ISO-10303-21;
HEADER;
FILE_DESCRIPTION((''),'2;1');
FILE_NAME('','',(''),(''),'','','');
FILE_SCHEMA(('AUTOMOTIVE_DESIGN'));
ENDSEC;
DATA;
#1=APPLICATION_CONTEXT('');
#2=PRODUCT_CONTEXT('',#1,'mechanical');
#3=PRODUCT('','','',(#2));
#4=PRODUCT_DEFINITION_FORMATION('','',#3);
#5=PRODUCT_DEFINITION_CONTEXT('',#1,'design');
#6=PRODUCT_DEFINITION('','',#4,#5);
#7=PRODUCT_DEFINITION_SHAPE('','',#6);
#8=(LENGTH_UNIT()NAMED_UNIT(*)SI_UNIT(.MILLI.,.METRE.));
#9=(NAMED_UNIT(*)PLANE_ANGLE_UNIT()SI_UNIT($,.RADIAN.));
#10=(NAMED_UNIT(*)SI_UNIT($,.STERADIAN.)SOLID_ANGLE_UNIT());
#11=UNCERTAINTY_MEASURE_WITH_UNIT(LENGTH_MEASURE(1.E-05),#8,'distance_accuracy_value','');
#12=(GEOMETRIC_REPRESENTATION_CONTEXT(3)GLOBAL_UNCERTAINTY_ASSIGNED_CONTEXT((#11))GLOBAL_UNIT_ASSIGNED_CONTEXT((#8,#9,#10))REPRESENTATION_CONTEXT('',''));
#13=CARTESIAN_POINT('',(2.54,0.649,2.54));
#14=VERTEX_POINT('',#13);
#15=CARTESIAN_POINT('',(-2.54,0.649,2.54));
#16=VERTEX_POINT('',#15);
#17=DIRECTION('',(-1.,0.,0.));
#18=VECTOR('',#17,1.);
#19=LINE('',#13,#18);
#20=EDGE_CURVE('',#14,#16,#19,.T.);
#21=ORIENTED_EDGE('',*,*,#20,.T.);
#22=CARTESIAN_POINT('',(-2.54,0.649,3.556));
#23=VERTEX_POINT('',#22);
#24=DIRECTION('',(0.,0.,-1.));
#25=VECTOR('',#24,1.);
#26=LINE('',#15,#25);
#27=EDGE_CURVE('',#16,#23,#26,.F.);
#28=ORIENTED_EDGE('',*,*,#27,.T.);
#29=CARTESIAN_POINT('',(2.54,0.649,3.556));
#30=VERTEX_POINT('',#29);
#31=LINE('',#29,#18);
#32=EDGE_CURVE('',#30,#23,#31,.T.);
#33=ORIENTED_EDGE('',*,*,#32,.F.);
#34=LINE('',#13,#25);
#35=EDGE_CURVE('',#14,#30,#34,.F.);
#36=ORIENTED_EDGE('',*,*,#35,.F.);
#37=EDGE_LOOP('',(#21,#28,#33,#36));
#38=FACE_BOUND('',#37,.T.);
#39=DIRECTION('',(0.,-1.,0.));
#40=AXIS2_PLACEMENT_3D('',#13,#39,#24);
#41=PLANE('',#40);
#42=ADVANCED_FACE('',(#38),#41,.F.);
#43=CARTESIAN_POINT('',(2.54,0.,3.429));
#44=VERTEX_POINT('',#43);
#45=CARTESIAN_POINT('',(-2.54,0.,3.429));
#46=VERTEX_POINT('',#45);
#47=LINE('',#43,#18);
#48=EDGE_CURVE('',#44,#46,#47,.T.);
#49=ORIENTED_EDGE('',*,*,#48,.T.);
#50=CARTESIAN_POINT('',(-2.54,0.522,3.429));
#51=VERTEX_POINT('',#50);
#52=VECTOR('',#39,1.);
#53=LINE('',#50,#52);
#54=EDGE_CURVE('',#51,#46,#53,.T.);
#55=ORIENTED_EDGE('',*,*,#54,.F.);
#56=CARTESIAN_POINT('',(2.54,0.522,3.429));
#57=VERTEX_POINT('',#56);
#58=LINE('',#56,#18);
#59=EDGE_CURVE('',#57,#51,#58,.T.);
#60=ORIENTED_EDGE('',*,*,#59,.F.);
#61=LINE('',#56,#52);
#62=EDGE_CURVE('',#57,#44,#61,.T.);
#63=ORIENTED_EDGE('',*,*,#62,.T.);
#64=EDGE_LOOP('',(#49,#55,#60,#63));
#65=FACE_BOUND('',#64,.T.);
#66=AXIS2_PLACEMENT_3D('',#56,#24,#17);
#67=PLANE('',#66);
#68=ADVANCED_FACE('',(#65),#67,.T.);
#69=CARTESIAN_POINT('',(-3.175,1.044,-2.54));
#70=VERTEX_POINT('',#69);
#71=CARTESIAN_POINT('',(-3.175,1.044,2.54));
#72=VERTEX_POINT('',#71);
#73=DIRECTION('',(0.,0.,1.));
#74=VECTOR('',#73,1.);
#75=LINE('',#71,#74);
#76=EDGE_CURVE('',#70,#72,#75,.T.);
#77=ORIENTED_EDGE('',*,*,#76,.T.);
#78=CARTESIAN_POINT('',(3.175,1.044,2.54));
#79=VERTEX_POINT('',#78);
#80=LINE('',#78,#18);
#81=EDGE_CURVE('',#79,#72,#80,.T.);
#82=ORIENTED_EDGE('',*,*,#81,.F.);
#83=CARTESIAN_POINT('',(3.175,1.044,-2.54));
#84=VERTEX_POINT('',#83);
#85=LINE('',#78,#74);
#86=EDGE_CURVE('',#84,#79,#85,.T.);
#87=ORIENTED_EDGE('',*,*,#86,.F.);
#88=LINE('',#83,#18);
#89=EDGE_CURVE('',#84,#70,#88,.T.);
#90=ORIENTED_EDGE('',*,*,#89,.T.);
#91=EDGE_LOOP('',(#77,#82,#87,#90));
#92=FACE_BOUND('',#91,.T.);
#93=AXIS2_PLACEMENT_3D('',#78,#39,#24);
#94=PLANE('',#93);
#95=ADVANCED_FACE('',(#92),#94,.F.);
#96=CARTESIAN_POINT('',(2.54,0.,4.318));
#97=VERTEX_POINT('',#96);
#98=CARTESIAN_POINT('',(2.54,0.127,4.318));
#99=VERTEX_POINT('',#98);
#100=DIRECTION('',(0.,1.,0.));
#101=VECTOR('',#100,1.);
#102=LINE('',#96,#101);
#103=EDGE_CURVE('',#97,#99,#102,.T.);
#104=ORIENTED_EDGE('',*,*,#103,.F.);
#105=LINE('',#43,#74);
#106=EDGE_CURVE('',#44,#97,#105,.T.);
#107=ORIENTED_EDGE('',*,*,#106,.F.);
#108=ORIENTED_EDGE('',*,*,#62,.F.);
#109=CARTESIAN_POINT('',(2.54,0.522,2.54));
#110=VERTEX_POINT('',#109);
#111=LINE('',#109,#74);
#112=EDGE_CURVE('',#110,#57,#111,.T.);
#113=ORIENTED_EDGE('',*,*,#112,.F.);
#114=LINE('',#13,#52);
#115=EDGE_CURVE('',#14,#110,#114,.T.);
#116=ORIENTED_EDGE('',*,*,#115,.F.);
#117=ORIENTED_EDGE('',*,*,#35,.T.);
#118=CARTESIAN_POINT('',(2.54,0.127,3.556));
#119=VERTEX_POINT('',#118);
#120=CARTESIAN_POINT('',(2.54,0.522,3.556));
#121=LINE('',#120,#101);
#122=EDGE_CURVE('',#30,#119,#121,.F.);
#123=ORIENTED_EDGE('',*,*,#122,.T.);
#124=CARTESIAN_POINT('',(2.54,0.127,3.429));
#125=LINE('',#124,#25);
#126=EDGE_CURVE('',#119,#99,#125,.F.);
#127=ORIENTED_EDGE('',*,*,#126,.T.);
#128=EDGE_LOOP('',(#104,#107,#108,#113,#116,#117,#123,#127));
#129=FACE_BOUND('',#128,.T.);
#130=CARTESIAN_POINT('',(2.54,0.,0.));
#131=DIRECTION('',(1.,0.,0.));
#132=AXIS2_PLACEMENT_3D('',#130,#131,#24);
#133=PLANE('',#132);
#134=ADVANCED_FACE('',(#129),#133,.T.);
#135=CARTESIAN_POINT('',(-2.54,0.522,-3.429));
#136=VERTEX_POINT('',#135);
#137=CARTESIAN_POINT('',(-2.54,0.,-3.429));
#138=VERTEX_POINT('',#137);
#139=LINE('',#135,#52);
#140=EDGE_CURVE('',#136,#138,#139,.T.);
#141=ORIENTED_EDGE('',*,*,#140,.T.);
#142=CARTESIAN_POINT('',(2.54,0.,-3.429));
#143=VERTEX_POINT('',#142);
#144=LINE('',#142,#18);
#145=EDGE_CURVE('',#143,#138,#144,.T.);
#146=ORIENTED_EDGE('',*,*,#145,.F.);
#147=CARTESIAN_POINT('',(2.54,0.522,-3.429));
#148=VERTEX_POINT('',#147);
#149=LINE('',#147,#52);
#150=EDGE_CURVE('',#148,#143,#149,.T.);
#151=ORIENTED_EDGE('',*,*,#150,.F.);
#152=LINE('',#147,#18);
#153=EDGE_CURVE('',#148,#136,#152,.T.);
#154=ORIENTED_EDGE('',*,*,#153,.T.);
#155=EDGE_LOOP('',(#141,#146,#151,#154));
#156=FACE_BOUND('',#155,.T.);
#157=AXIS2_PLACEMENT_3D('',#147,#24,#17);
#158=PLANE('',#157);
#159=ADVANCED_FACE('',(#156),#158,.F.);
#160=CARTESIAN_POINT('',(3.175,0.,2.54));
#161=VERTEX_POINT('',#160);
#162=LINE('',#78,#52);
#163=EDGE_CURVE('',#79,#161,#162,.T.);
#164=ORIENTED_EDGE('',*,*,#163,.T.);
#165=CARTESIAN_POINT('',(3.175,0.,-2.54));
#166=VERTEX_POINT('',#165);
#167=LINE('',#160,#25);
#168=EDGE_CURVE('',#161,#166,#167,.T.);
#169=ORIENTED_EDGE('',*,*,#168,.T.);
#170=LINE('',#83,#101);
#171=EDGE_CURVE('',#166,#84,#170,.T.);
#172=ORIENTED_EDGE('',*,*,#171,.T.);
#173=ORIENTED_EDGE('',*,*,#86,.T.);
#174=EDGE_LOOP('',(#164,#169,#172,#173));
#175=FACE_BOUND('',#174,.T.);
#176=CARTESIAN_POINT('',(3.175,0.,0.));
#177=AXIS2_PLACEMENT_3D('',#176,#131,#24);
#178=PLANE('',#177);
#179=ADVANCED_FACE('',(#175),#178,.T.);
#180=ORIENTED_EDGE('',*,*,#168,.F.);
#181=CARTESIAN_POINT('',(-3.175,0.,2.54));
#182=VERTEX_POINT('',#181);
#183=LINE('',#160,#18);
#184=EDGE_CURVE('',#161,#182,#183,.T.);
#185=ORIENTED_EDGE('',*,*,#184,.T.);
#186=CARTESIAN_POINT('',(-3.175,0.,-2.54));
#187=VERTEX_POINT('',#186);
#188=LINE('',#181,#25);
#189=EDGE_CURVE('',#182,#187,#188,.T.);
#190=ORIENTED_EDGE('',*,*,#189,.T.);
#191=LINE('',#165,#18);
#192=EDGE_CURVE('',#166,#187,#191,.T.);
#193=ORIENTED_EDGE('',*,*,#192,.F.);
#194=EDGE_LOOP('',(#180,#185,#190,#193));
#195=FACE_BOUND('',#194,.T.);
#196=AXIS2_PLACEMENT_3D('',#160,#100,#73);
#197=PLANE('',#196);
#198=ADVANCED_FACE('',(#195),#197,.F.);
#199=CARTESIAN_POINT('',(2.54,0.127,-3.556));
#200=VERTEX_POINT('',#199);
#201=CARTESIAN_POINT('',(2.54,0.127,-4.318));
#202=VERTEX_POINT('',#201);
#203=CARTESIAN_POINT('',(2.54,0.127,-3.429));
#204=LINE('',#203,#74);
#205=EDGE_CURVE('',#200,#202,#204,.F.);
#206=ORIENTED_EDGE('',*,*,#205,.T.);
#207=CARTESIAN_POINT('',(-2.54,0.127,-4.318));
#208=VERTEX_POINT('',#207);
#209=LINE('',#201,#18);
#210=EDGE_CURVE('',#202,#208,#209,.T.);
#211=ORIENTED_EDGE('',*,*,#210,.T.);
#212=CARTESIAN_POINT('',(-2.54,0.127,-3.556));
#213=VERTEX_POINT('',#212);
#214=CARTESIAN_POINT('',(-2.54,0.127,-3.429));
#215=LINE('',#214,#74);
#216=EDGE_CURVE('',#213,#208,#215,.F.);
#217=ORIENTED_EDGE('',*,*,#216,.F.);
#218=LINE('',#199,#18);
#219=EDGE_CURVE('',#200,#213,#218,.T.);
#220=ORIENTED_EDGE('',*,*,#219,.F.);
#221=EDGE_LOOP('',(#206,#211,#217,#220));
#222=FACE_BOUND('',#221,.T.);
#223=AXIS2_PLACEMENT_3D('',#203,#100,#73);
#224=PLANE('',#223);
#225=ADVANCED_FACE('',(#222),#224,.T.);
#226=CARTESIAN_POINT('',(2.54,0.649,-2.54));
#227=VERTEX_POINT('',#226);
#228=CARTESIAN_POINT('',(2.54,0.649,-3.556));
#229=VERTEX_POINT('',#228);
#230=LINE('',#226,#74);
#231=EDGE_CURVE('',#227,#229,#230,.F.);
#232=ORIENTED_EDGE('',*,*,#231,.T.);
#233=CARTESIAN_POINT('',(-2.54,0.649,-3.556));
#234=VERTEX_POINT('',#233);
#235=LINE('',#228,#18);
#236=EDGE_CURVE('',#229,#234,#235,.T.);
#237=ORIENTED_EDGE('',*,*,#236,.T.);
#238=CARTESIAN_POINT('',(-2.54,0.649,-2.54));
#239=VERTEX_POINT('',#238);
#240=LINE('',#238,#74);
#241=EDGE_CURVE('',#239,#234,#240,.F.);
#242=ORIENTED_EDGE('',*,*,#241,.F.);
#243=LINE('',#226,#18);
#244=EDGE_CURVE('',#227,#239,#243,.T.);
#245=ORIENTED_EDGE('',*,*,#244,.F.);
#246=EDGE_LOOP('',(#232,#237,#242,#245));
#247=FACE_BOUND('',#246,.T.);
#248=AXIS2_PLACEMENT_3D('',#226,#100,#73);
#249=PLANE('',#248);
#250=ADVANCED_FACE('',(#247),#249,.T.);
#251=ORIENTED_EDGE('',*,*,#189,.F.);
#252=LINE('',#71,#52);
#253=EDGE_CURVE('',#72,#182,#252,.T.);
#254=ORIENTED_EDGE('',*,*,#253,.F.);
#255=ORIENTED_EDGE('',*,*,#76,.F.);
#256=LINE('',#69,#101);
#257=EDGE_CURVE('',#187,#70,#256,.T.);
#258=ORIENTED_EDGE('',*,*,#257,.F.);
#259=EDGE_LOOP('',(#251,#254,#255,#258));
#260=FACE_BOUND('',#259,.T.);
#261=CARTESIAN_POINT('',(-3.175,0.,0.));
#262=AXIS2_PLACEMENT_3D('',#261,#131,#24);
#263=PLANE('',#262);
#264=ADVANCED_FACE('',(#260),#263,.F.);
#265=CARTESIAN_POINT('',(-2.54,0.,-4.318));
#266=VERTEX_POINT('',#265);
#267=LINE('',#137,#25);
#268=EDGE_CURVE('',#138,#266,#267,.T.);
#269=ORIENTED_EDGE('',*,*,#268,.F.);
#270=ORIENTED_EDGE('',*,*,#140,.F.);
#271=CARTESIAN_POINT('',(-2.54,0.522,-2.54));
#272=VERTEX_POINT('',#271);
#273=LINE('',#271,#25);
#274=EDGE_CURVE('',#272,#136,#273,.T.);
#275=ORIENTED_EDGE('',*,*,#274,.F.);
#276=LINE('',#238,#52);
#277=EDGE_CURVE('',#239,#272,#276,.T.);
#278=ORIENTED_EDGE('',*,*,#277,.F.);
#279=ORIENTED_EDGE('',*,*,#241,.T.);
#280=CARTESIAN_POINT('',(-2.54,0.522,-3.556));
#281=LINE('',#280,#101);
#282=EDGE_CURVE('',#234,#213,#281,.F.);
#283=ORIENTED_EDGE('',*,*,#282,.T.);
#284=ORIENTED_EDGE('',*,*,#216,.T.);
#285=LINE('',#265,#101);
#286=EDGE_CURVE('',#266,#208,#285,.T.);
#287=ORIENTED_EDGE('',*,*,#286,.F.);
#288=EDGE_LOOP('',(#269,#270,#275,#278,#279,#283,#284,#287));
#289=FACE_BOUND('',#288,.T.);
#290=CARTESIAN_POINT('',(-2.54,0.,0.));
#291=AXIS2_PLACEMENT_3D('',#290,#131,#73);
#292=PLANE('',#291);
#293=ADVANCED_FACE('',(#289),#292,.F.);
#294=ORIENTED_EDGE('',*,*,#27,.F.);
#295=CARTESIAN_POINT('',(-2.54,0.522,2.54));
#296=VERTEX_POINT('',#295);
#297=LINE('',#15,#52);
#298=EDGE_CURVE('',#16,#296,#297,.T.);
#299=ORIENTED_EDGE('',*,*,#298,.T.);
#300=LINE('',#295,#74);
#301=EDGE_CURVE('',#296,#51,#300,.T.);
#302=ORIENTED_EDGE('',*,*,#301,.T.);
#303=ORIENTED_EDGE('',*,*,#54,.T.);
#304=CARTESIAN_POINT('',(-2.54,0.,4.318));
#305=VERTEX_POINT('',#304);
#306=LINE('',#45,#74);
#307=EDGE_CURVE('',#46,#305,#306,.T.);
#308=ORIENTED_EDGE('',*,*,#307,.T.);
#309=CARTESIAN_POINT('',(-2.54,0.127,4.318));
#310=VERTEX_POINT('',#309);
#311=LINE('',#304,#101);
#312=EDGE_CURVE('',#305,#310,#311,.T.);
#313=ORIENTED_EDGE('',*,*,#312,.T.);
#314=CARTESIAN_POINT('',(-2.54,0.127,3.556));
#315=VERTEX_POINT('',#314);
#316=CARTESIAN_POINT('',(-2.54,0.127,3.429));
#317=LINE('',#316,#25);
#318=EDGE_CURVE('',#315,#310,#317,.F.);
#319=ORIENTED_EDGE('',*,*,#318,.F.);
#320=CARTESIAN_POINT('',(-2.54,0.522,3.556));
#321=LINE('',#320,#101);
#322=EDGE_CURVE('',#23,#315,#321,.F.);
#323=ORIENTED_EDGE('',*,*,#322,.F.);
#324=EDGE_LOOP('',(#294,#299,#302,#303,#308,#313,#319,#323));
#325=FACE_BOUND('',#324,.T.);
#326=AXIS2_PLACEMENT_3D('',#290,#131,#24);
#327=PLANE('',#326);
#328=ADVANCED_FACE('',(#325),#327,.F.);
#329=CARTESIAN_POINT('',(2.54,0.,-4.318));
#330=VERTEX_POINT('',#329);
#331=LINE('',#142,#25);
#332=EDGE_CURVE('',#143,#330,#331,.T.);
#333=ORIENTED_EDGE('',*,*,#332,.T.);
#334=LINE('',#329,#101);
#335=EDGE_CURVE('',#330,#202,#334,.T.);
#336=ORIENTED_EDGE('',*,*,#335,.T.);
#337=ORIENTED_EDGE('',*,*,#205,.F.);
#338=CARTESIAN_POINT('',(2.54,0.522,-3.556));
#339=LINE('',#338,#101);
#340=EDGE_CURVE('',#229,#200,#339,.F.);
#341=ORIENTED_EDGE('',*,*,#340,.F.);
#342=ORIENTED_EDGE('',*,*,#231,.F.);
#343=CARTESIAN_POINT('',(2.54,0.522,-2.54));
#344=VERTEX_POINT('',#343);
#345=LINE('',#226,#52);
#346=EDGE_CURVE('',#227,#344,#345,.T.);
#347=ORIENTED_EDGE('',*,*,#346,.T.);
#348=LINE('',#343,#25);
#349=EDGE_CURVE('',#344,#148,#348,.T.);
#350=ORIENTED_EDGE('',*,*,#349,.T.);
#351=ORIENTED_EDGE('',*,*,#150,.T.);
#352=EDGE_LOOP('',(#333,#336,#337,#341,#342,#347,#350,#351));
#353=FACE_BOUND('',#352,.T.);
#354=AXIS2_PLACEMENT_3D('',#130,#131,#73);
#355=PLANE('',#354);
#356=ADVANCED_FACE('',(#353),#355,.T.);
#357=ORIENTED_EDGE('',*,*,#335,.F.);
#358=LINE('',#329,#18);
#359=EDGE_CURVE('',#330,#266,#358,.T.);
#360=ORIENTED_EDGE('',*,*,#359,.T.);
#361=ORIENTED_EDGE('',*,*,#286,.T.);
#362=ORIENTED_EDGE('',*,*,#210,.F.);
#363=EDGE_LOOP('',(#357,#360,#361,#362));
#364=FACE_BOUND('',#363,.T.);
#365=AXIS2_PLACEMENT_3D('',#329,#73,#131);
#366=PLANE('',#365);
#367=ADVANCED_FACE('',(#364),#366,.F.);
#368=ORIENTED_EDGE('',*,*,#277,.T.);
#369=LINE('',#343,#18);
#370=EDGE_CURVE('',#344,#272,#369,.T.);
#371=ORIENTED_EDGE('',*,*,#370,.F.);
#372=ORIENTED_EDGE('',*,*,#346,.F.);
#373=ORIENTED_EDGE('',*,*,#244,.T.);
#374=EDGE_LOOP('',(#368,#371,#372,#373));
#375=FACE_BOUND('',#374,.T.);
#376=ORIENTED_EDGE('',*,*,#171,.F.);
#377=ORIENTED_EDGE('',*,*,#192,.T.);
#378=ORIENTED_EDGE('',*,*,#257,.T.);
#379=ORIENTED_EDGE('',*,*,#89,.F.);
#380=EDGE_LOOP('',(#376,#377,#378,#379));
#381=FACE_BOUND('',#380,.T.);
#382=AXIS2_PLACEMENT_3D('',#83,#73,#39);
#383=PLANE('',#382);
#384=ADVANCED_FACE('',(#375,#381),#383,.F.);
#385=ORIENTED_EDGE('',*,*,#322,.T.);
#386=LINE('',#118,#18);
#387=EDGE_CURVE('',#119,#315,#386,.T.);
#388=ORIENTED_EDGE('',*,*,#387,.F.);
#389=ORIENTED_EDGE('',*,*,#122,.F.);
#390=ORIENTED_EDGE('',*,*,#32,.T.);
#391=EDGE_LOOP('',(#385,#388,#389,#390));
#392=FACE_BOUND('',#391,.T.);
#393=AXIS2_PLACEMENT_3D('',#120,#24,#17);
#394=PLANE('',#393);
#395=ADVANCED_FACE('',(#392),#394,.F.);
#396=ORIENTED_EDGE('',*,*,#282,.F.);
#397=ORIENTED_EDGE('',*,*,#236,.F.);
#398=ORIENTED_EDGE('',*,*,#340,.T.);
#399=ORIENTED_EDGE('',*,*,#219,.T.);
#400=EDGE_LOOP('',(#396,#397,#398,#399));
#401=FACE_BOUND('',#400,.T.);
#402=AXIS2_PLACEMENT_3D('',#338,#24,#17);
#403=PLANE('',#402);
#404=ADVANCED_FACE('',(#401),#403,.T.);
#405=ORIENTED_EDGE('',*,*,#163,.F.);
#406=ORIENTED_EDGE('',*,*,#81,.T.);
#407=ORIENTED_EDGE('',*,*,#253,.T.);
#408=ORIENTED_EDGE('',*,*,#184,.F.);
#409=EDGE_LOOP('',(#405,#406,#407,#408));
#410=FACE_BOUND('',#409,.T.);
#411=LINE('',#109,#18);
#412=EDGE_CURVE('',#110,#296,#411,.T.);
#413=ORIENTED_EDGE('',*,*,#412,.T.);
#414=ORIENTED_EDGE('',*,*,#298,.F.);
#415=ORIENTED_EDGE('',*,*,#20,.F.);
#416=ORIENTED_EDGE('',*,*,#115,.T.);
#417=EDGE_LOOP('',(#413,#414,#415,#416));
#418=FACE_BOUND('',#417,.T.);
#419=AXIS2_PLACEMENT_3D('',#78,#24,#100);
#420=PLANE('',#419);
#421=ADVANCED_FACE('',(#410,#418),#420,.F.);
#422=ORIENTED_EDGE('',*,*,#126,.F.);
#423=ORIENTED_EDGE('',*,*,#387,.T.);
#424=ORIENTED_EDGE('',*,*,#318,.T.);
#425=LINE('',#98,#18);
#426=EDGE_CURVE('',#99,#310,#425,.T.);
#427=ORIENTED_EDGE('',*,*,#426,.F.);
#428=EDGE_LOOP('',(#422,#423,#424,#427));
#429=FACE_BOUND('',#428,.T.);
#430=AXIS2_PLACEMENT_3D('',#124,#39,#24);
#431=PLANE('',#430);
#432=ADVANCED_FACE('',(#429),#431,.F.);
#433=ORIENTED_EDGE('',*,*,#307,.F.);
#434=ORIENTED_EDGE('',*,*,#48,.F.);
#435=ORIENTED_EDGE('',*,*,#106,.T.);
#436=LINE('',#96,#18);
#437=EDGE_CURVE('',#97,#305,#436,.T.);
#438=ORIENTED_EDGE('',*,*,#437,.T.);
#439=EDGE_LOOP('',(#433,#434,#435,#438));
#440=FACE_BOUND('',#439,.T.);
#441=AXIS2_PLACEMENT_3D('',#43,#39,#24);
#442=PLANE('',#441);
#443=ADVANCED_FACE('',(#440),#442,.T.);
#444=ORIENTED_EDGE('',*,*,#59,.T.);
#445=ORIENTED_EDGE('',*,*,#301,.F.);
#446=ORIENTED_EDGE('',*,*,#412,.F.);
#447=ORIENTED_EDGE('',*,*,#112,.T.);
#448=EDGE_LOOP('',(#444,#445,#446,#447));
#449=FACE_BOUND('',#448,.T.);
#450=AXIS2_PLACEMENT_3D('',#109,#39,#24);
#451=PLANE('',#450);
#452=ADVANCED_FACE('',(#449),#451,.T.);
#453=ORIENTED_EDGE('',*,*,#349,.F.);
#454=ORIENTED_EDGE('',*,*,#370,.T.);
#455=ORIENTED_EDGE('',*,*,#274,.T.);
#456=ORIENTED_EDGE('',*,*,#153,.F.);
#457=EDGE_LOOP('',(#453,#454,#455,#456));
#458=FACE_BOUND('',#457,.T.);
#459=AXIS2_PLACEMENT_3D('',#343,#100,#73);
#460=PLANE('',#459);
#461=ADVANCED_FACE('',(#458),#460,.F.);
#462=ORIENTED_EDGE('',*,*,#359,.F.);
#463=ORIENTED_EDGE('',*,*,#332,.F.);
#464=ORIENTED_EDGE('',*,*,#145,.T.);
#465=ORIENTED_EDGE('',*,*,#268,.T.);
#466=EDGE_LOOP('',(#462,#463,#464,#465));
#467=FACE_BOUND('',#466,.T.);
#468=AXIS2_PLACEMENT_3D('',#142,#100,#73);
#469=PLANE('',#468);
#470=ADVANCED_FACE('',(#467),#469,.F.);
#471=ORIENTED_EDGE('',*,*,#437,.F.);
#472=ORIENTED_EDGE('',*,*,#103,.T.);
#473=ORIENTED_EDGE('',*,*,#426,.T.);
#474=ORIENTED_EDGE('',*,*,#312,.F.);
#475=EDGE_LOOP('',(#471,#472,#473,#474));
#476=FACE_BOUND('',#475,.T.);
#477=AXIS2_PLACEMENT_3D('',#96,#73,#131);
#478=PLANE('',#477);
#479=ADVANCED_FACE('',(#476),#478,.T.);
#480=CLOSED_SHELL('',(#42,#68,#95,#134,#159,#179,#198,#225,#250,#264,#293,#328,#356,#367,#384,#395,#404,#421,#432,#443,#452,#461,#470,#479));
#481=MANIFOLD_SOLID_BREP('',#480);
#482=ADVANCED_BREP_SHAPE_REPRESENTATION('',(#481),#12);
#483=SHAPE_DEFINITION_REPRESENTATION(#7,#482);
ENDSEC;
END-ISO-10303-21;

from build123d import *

# Parameters (mm, degrees)
SKETCH1_W           = 5.08
SKETCH1_H           = 1.044000004
BOSS_EXTRUDE1_DEPTH = 3.175
EXTRUDE_THIN1_DEPTH = 2.54


with BuildPart() as part:
    # Sketch1 → Boss-Extrude1 (new body, symmetric)
    with BuildSketch(Plane(origin=(0, 0, 0), x_dir=(0, 0, -1), z_dir=(1, 0, 0))):
        with Locations((0, 0.522000002)):
            Rectangle(SKETCH1_W, SKETCH1_H)
    extrude(amount=BOSS_EXTRUDE1_DEPTH, both=True)

    # Sketch2 → Extrude-Thin1 (add, symmetric)
    with BuildSketch(Plane(origin=(0, 0, 0), x_dir=(0, 0, -1), z_dir=(1, 0, 0))):
        Polygon((-2.54, 0.522000002), (-3.429, 0.522000002), (-3.429, 0), (-4.318, 0), (-4.318, 0.127), (-3.556, 0.127), (-3.556, 0.649000002), (-2.54, 0.649000002), align=None)
    extrude_thin1 = extrude(amount=EXTRUDE_THIN1_DEPTH, both=True)

    # Mirror1: Extrude-Thin1 across plane
    add(extrude_thin1.mirror(Plane.XY))


solid = part.part
